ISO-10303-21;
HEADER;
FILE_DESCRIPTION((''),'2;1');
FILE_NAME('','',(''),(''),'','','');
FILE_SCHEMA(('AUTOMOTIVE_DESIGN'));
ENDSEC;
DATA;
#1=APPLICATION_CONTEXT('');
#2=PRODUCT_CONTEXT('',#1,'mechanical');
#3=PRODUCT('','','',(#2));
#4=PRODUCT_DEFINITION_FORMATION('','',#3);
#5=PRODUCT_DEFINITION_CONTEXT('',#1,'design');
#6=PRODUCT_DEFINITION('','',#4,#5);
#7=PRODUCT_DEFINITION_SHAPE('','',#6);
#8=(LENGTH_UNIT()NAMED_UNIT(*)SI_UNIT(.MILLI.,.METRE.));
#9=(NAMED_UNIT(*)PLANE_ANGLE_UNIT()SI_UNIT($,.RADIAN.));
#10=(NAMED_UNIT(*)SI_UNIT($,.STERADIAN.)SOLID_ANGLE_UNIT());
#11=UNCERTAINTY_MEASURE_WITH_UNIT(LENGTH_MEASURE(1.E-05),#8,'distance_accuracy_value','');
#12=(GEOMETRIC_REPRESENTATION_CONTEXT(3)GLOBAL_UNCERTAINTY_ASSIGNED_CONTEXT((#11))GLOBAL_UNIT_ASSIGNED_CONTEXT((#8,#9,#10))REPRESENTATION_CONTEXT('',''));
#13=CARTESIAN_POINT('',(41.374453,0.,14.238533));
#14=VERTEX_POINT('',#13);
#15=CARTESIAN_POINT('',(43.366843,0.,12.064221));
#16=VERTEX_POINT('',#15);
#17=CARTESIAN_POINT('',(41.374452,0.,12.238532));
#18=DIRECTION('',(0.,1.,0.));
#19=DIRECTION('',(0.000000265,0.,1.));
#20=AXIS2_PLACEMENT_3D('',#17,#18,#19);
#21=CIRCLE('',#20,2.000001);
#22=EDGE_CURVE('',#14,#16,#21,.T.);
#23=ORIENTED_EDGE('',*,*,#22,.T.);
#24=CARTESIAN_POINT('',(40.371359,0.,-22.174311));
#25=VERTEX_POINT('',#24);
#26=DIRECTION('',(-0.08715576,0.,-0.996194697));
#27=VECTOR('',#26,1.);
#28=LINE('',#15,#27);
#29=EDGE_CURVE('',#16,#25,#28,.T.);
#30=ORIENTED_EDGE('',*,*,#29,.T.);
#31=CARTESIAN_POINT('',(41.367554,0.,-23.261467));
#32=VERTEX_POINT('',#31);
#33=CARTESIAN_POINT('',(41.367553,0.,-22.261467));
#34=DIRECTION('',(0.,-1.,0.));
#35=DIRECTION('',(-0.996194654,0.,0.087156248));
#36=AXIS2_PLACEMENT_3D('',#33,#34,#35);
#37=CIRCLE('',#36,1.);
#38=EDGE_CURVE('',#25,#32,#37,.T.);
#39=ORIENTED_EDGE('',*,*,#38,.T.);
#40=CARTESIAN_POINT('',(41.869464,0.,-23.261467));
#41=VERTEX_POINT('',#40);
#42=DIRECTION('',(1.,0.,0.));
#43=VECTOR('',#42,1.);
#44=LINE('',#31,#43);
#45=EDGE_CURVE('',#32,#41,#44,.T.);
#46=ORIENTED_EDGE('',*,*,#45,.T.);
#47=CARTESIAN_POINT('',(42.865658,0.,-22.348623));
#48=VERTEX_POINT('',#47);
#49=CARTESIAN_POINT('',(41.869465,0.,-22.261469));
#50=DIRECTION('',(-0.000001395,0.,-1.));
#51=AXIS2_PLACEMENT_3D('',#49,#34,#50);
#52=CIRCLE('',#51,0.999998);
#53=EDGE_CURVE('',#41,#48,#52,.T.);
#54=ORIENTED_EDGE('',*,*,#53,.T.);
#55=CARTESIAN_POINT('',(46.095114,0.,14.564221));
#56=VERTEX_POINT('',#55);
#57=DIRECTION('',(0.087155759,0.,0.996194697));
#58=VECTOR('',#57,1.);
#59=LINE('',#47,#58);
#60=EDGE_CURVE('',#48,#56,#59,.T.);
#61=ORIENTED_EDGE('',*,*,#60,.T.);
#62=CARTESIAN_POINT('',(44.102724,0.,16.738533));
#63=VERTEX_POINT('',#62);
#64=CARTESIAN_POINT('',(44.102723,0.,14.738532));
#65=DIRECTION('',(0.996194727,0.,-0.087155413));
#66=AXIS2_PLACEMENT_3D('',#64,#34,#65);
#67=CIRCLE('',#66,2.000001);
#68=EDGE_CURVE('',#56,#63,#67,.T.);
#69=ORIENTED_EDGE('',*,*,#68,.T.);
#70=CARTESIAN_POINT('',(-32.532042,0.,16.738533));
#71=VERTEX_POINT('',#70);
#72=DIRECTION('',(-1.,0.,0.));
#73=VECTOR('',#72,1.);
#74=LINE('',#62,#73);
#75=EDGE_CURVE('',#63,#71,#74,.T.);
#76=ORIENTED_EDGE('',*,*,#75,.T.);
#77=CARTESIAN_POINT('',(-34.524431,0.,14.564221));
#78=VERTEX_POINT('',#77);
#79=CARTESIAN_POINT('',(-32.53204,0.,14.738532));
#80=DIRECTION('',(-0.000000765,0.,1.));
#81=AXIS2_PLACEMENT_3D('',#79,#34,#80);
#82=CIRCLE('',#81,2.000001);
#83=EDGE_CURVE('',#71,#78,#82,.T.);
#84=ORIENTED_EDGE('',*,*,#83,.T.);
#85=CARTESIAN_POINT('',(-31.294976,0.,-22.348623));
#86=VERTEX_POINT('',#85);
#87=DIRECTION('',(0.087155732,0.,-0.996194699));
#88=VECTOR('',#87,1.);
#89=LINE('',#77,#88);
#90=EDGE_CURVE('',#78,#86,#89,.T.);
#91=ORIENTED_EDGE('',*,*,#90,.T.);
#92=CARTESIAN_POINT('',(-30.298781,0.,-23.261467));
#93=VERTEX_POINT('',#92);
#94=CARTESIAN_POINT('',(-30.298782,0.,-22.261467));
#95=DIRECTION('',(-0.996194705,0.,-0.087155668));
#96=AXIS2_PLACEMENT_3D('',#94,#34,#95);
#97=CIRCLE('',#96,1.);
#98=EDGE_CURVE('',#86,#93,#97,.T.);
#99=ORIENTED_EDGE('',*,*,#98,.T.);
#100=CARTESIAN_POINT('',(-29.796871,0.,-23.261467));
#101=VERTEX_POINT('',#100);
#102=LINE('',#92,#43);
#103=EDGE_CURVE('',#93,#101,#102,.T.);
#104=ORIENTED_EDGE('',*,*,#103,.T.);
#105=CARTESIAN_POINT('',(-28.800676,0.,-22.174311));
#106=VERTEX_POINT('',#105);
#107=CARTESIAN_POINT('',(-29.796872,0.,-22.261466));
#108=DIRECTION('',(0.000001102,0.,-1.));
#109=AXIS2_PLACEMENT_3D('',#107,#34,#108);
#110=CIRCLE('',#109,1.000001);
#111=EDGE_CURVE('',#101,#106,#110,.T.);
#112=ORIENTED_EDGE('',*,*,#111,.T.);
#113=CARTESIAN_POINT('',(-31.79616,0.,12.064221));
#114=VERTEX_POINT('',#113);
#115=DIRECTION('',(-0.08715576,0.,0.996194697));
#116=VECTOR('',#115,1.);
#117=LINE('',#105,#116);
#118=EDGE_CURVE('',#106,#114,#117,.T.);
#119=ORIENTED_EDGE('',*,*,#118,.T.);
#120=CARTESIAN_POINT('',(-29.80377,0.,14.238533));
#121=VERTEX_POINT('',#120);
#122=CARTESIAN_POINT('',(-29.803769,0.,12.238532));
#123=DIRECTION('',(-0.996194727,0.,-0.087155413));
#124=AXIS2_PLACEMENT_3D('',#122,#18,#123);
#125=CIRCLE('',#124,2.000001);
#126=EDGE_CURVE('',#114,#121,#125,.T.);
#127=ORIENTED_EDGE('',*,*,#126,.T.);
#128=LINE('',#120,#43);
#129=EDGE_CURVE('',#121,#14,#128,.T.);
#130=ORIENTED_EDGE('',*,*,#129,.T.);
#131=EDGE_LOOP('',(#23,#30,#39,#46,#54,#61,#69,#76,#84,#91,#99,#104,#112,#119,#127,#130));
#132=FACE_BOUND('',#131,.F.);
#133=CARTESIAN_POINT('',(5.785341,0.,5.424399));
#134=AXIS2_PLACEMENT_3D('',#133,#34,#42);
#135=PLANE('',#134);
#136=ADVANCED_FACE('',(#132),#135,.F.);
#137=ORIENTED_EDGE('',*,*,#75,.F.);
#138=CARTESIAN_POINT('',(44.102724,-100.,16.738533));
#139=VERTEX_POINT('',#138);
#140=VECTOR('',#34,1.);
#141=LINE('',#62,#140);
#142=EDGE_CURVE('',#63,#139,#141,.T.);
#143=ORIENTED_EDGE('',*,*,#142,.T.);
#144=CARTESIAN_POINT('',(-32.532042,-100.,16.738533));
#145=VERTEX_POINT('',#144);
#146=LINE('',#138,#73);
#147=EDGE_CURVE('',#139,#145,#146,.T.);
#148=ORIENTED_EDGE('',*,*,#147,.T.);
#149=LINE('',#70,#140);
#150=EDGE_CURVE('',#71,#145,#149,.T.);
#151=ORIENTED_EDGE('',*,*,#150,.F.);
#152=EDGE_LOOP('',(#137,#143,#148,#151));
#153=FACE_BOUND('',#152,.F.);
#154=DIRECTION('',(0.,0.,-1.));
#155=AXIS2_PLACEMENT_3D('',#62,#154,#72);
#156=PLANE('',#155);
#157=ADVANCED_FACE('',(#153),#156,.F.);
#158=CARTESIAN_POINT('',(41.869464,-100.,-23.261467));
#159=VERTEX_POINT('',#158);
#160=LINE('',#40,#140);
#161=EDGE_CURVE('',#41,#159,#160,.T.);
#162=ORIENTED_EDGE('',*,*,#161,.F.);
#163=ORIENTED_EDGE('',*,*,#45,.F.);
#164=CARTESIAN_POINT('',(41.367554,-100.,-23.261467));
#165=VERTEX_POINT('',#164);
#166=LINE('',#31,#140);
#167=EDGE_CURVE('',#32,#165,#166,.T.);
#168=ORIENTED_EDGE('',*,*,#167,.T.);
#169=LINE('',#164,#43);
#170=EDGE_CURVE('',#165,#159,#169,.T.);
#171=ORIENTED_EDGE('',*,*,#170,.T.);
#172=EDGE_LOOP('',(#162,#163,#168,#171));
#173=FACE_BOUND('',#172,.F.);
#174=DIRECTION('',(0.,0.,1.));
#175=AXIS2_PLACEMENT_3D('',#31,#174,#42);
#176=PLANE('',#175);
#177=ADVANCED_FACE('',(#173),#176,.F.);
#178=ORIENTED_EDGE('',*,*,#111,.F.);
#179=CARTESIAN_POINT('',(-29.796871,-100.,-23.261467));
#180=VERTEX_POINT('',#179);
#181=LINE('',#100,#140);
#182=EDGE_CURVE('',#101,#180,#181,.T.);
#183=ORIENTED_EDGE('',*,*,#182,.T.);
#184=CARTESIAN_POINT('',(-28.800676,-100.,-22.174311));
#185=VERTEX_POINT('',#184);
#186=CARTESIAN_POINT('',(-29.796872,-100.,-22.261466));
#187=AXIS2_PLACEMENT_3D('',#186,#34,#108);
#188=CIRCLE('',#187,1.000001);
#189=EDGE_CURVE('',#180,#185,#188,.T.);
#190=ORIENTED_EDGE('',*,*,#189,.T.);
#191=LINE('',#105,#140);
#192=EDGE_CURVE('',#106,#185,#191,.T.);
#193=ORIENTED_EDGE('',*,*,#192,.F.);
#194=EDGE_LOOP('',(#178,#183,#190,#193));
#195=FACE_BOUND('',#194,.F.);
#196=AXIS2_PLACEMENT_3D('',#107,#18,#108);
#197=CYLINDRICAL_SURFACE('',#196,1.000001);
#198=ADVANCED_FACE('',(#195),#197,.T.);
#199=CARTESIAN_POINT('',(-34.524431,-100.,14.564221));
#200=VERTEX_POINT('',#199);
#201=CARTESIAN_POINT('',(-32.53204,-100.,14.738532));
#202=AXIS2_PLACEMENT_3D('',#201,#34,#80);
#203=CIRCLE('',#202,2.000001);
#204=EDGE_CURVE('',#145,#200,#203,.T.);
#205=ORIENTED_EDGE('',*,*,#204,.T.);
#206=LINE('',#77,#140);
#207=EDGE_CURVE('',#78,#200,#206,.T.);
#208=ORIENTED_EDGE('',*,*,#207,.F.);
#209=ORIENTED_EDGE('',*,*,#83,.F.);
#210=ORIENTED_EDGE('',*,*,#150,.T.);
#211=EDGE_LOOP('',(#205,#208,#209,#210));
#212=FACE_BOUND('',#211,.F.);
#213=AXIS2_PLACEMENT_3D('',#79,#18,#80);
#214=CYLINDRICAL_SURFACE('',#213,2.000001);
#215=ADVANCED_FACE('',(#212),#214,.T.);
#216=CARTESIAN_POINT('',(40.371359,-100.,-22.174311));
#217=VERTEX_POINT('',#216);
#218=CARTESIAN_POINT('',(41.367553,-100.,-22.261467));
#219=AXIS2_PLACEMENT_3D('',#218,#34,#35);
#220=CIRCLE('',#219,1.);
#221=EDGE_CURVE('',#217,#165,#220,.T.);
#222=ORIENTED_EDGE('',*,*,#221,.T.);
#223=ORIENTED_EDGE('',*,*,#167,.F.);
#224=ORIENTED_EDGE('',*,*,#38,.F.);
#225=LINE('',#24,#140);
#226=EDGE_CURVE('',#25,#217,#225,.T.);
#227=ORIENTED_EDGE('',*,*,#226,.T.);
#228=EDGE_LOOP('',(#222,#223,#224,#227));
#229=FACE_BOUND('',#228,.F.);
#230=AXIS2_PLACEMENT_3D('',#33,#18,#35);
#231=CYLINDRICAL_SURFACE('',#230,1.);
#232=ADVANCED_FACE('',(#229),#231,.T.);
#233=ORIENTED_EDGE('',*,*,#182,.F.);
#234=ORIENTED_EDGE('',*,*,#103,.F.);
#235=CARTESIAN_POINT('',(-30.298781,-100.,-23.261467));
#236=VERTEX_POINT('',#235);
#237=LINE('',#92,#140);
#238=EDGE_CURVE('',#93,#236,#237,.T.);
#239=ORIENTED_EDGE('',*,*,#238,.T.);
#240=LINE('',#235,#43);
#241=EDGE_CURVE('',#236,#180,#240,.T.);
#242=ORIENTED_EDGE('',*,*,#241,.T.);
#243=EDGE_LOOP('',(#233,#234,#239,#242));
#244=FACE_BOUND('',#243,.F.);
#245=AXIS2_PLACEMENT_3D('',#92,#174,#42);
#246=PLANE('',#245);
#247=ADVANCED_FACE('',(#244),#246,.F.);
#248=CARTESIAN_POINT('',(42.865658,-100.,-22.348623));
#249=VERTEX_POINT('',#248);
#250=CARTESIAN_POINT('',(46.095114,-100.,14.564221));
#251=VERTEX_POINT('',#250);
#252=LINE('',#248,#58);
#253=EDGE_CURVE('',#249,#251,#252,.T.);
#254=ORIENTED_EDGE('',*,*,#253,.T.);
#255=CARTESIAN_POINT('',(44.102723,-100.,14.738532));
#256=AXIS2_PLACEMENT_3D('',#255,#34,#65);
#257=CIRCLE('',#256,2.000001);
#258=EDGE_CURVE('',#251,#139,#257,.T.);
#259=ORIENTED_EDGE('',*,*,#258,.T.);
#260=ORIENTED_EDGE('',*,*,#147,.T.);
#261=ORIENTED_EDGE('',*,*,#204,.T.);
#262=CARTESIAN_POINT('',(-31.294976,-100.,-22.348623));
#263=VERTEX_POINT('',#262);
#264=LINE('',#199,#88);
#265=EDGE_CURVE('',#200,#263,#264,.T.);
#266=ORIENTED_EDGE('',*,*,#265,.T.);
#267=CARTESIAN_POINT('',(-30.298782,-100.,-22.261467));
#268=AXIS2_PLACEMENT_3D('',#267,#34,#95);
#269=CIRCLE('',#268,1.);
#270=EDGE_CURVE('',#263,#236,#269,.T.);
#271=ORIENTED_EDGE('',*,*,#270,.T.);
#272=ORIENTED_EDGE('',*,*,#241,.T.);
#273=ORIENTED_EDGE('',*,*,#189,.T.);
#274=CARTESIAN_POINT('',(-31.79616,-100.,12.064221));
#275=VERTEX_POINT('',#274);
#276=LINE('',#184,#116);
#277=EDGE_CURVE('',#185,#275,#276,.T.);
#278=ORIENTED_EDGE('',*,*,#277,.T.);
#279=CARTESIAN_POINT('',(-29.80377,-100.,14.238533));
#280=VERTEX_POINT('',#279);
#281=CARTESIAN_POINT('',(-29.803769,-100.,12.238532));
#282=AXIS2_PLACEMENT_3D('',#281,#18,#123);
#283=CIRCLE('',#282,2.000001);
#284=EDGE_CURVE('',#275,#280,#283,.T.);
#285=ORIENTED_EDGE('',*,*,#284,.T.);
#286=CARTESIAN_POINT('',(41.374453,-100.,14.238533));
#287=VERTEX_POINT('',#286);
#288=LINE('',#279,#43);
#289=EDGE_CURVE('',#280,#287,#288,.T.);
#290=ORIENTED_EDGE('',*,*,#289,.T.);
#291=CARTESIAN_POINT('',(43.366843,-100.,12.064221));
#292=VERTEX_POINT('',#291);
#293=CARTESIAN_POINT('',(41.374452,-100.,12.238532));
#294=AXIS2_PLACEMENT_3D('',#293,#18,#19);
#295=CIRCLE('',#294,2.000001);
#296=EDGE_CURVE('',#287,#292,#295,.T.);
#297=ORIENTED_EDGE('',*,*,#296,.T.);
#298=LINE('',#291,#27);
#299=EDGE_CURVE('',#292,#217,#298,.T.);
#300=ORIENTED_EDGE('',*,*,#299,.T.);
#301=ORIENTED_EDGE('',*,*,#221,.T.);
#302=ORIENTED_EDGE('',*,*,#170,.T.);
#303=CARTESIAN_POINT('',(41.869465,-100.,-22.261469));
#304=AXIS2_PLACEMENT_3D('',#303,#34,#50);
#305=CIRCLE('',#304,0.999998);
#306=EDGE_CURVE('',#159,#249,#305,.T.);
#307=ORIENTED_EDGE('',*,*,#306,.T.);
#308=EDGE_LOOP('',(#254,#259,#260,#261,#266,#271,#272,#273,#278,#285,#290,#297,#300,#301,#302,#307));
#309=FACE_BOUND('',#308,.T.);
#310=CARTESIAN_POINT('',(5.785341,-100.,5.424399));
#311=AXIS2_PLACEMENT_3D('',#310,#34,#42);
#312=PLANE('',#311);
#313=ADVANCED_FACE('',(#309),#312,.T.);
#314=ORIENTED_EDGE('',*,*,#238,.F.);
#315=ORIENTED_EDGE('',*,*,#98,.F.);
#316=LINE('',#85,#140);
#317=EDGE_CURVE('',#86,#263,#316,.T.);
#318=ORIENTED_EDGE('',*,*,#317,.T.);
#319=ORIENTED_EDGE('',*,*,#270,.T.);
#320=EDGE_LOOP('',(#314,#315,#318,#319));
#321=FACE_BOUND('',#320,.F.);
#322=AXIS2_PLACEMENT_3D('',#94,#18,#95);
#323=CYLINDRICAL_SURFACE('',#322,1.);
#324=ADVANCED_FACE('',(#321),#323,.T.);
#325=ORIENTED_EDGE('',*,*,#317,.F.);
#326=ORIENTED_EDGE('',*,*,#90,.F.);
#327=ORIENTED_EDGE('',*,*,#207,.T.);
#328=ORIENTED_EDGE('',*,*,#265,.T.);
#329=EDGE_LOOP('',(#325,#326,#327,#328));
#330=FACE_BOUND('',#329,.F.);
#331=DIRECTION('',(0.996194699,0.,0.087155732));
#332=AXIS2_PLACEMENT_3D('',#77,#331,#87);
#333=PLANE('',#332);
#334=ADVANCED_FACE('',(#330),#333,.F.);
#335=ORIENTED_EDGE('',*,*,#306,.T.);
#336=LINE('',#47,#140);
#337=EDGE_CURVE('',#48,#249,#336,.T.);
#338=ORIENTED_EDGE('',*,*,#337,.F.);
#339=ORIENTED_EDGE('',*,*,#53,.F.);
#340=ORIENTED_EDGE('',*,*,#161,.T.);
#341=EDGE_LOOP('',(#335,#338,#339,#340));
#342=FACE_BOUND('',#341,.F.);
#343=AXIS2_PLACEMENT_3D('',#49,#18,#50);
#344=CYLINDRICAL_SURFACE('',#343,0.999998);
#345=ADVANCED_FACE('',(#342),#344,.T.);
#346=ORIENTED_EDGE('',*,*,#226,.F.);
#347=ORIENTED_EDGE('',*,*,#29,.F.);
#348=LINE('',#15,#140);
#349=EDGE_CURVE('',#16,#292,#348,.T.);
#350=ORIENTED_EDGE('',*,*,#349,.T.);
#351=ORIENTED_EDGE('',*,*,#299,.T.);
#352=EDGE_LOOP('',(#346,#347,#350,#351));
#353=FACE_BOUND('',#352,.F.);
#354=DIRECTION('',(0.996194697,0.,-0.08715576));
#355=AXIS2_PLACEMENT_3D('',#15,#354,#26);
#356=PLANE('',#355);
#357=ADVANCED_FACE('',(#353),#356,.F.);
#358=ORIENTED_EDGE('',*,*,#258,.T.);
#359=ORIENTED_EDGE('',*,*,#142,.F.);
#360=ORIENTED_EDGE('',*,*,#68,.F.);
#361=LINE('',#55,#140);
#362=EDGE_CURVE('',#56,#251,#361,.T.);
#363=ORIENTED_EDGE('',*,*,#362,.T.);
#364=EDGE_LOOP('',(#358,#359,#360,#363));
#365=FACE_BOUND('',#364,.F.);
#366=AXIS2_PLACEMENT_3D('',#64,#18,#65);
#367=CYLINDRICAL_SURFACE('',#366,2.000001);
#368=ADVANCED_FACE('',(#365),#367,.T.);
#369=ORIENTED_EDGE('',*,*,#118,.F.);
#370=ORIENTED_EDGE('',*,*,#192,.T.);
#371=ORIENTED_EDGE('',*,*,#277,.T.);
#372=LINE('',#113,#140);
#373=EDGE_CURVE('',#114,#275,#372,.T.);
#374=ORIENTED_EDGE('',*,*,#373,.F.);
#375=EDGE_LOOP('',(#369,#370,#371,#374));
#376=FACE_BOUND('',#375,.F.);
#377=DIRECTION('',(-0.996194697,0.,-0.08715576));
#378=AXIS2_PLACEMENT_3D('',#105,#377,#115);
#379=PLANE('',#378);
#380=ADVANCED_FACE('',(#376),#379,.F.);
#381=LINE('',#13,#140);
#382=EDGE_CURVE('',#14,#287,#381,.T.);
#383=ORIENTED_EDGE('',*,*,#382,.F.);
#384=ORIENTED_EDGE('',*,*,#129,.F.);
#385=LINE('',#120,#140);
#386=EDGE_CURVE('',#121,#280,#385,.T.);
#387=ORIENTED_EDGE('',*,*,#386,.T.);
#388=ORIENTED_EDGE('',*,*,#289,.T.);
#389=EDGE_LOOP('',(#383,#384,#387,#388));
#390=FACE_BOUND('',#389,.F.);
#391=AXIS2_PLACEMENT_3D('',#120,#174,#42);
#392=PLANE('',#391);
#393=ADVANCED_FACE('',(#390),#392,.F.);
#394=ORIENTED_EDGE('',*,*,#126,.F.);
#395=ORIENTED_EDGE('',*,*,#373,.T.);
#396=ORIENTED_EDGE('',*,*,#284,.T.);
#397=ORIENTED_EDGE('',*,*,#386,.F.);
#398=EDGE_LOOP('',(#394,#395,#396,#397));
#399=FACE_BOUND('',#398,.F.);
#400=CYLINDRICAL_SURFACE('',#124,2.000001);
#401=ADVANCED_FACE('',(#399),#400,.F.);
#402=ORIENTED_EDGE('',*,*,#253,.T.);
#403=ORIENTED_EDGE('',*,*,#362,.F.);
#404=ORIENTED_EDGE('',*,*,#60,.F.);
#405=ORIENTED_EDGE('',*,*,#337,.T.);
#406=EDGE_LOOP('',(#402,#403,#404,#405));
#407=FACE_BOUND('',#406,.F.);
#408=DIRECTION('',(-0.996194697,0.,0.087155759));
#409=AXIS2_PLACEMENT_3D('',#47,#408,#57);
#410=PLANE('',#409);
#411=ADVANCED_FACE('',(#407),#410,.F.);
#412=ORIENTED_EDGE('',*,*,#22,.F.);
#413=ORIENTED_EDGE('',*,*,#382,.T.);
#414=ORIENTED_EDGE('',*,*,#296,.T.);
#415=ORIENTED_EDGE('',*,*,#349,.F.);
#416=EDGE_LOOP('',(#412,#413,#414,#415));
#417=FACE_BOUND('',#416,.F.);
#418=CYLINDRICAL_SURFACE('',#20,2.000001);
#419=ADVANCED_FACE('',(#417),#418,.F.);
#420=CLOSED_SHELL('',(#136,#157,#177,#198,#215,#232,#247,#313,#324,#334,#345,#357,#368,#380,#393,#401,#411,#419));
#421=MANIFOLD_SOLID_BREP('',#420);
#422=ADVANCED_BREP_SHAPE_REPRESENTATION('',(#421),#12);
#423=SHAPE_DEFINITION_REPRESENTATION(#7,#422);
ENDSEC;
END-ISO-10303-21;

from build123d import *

# Parameters (mm, degrees)
F1_DEPTH = 100


with BuildPart() as f1:
    # F0 (on Front) → F1 (new body)
    with BuildSketch(Plane.XZ):
        with BuildLine():
            ThreePointArc((46.095114, 14.564221), (45.577279, 16.089713), (44.102724, 16.738533))
            Line((44.102724, 16.738533), (-32.532042, 16.738533))
            ThreePointArc((-32.532042, 16.738533), (-34.006596, 16.089713), (-34.524431, 14.564221))
            Line((-34.524431, 14.564221), (-31.294976, -22.348623))
            ThreePointArc((-31.294976, -22.348623), (-30.974371, -22.998745), (-30.298781, -23.261467))
            Line((-30.298781, -23.261467), (-29.796871, -23.261467))
            ThreePointArc((-29.796871, -23.261467), (-29.059594, -22.937057), (-28.800676, -22.174311))
            Line((-28.800676, -22.174311), (-31.79616, 12.064221))
            ThreePointArc((-31.79616, 12.064221), (-31.278325, 13.589713), (-29.80377, 14.238533))
            Line((-29.80377, 14.238533), (41.374453, 14.238533))
            ThreePointArc((41.374453, 14.238533), (42.849008, 13.589713), (43.366843, 12.064221))
            Line((43.366843, 12.064221), (40.371359, -22.174311))
            ThreePointArc((40.371359, -22.174311), (40.630276, -22.937057), (41.367554, -23.261467))
            Line((41.367554, -23.261467), (41.869464, -23.261467))
            ThreePointArc((41.869464, -23.261467), (42.545054, -22.998745), (42.865658, -22.348623))
            Line((42.865658, -22.348623), (46.095114, 14.564221))
        make_face()
    extrude(amount=F1_DEPTH)


solid = f1.part
